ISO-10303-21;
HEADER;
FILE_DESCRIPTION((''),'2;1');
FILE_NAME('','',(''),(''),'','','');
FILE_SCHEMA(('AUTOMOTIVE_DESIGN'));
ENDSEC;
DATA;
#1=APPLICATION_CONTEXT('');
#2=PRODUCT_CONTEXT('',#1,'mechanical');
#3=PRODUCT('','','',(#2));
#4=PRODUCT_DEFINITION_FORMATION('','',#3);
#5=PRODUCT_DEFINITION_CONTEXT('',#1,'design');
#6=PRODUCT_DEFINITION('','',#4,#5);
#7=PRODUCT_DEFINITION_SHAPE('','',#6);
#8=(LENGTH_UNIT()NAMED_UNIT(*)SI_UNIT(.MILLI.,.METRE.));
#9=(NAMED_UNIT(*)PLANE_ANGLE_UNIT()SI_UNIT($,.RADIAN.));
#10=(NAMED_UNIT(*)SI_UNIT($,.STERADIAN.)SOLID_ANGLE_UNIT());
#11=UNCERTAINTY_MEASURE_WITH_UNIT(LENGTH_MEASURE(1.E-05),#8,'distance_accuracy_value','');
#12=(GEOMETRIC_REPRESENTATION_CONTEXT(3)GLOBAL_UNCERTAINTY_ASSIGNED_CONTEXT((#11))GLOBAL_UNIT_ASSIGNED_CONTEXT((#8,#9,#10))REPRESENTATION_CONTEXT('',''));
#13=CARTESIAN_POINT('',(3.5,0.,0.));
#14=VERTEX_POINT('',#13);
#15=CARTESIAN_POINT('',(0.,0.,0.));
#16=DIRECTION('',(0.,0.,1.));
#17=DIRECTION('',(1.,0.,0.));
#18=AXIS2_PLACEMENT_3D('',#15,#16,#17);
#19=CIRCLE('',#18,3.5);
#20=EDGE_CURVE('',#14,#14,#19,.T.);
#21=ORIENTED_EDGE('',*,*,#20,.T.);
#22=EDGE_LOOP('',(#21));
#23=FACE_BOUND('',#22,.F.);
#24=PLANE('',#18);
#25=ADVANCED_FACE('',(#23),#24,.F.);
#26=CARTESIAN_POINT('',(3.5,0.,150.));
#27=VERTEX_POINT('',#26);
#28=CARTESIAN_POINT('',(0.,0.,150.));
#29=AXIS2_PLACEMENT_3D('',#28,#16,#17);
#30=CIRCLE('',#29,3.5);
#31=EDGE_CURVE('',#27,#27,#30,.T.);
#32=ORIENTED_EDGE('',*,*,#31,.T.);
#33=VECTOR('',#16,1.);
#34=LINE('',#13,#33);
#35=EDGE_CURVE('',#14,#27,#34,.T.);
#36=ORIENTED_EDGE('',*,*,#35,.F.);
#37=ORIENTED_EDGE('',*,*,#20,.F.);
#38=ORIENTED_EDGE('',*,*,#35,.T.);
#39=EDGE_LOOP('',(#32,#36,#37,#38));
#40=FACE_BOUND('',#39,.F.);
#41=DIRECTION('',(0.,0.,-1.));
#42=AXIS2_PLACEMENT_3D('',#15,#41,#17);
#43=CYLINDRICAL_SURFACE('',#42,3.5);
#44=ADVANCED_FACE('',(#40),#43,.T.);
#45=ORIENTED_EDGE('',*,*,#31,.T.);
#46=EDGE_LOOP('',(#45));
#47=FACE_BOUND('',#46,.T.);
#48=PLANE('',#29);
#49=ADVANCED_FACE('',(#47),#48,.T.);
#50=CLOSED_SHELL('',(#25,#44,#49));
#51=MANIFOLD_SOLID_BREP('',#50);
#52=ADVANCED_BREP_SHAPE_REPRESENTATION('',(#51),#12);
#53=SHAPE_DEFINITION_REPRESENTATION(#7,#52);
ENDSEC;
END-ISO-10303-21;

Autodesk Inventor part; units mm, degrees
ref_plane "YZ Plane" through (0, 0, 0) normal (1, 0, 0) x (0, 1, 0)
ref_plane "XZ Plane" through (0, 0, 0) normal (0, 1, 0) x (-1, 0, 0)
ref_plane "XY Plane" through (0, 0, 0) normal (0, 0, 1) x (1, 0, 0)
sketch "Sketch1" plane through (0, 0, 0) normal (0, 0, 1) x (1, 0, 0)
  circle A0 centre (0, 0) radius 3.5
  dimension "d0" = 7
extrude "Extrusion1" add sketch "Sketch1" along normal blind 150
properties part number "Riel"
